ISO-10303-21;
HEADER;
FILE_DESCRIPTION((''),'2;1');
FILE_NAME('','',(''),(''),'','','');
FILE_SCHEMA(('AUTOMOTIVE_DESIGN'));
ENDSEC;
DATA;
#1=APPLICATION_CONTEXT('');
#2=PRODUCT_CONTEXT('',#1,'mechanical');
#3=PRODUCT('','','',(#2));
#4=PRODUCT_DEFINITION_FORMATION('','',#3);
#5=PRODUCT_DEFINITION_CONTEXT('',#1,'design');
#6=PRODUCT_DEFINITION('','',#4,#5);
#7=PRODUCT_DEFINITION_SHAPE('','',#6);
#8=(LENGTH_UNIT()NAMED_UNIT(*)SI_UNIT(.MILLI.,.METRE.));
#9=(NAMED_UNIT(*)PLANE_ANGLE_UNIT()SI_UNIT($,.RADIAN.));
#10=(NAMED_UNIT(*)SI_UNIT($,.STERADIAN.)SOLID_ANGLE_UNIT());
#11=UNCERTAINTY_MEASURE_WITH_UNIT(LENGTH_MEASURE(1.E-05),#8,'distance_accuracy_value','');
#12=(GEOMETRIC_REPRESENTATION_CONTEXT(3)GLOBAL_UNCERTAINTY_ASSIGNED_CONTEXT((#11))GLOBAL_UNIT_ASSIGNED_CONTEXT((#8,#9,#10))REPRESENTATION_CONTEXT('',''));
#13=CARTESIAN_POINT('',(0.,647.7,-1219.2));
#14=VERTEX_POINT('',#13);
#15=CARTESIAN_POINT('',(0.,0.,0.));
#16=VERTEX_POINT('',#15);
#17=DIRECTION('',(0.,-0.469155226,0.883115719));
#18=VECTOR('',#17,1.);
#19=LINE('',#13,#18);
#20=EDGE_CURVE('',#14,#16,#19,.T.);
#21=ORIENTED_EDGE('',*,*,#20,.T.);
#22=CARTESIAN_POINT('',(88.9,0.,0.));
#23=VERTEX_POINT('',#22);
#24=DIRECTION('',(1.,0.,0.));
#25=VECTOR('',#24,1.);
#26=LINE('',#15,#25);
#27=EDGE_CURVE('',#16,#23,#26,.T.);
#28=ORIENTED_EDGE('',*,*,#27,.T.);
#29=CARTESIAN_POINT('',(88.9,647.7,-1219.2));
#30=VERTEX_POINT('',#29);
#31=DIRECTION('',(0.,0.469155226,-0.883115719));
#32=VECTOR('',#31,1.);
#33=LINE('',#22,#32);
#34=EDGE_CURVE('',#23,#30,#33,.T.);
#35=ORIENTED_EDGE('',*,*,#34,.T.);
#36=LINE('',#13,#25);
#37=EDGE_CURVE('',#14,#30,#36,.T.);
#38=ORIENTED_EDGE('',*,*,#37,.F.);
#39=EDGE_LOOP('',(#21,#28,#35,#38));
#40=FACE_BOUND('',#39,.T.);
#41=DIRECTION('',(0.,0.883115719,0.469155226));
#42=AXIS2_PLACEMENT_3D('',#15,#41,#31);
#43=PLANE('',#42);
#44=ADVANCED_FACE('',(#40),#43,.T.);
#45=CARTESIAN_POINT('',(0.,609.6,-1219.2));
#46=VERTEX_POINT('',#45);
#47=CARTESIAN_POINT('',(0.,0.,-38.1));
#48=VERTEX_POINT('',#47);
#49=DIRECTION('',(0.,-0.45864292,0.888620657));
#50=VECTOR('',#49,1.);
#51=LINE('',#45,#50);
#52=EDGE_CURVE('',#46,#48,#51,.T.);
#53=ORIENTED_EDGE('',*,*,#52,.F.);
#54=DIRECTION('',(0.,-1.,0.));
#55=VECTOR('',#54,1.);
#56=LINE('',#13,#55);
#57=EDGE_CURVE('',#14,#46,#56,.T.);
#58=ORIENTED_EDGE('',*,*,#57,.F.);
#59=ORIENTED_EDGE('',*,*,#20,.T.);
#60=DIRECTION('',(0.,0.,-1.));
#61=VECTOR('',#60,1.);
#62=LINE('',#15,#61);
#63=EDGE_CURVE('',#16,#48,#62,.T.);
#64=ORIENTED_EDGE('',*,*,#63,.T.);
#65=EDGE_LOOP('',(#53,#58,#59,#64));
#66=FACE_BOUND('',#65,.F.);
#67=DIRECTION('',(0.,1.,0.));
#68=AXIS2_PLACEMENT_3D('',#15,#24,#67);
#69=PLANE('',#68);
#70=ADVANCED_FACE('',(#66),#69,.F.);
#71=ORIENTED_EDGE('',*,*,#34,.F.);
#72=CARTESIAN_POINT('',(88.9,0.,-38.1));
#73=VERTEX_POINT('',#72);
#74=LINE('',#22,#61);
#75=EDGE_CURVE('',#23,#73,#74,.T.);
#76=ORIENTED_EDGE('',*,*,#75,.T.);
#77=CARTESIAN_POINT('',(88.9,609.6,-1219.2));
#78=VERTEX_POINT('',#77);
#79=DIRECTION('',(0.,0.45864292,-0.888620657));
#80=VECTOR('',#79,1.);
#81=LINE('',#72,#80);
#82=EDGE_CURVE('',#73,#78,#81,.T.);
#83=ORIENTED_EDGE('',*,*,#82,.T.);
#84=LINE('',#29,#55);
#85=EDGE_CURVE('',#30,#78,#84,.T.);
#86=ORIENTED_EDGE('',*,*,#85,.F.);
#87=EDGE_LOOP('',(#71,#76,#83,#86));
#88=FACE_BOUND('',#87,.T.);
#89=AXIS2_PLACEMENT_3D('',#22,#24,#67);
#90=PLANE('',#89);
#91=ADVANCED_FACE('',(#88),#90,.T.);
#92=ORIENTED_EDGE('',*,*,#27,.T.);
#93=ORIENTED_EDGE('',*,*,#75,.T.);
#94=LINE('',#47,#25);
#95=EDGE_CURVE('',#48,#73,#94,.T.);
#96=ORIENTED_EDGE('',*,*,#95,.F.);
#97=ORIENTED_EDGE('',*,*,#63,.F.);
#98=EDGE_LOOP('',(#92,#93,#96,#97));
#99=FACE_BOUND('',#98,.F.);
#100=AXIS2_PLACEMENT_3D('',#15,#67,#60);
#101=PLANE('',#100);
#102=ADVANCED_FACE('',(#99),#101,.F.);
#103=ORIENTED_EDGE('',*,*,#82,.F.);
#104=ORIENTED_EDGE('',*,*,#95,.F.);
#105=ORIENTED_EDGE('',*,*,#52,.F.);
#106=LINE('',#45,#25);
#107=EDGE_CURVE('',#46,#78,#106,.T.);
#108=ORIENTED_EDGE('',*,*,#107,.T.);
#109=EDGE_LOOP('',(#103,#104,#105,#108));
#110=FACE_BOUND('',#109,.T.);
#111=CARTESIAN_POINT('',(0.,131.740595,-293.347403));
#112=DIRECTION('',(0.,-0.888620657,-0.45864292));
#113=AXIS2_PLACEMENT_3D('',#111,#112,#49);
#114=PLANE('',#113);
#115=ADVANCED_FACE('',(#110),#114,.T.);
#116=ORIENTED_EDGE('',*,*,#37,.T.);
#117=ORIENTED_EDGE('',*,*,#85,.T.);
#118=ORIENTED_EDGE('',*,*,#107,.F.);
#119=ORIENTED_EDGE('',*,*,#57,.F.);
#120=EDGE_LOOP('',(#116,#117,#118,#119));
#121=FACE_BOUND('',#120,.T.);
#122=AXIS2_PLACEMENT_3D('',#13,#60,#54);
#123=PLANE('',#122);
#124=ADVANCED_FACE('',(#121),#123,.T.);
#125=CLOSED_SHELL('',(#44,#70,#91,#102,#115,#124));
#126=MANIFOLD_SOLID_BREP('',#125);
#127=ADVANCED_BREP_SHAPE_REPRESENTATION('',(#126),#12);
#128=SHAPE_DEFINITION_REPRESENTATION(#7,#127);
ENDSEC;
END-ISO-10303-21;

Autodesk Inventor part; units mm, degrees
ref_plane "YZ Plane" through (0, 0, 0) normal (1, 0, 0) x (0, 1, 0)
ref_plane "XZ Plane" through (0, 0, 0) normal (0, 1, 0) x (-1, 0, 0)
ref_plane "XY Plane" through (0, 0, 0) normal (0, 0, 1) x (1, 0, 0)
sketch "Sketch1" plane through (0, 0, 0) normal (1, 0, 0) x (0, 1, 0)
  line L0 (0, 0) -> (0, -38.1)
  line L1 (647.7, -1219.2) -> (609.6, -1219.2)
  line L2 (609.6, -1219.2) -> (0, -38.1)
  line L3 (0, 0) -> (647.7, -1219.2)
  line L4 (150.6547, -283.5853) -> (131.7406, -293.3474)
extrude "Extrusion1" add sketch "Sketch1" along normal blind 88.9
properties part number "S_2x4x54.35"
